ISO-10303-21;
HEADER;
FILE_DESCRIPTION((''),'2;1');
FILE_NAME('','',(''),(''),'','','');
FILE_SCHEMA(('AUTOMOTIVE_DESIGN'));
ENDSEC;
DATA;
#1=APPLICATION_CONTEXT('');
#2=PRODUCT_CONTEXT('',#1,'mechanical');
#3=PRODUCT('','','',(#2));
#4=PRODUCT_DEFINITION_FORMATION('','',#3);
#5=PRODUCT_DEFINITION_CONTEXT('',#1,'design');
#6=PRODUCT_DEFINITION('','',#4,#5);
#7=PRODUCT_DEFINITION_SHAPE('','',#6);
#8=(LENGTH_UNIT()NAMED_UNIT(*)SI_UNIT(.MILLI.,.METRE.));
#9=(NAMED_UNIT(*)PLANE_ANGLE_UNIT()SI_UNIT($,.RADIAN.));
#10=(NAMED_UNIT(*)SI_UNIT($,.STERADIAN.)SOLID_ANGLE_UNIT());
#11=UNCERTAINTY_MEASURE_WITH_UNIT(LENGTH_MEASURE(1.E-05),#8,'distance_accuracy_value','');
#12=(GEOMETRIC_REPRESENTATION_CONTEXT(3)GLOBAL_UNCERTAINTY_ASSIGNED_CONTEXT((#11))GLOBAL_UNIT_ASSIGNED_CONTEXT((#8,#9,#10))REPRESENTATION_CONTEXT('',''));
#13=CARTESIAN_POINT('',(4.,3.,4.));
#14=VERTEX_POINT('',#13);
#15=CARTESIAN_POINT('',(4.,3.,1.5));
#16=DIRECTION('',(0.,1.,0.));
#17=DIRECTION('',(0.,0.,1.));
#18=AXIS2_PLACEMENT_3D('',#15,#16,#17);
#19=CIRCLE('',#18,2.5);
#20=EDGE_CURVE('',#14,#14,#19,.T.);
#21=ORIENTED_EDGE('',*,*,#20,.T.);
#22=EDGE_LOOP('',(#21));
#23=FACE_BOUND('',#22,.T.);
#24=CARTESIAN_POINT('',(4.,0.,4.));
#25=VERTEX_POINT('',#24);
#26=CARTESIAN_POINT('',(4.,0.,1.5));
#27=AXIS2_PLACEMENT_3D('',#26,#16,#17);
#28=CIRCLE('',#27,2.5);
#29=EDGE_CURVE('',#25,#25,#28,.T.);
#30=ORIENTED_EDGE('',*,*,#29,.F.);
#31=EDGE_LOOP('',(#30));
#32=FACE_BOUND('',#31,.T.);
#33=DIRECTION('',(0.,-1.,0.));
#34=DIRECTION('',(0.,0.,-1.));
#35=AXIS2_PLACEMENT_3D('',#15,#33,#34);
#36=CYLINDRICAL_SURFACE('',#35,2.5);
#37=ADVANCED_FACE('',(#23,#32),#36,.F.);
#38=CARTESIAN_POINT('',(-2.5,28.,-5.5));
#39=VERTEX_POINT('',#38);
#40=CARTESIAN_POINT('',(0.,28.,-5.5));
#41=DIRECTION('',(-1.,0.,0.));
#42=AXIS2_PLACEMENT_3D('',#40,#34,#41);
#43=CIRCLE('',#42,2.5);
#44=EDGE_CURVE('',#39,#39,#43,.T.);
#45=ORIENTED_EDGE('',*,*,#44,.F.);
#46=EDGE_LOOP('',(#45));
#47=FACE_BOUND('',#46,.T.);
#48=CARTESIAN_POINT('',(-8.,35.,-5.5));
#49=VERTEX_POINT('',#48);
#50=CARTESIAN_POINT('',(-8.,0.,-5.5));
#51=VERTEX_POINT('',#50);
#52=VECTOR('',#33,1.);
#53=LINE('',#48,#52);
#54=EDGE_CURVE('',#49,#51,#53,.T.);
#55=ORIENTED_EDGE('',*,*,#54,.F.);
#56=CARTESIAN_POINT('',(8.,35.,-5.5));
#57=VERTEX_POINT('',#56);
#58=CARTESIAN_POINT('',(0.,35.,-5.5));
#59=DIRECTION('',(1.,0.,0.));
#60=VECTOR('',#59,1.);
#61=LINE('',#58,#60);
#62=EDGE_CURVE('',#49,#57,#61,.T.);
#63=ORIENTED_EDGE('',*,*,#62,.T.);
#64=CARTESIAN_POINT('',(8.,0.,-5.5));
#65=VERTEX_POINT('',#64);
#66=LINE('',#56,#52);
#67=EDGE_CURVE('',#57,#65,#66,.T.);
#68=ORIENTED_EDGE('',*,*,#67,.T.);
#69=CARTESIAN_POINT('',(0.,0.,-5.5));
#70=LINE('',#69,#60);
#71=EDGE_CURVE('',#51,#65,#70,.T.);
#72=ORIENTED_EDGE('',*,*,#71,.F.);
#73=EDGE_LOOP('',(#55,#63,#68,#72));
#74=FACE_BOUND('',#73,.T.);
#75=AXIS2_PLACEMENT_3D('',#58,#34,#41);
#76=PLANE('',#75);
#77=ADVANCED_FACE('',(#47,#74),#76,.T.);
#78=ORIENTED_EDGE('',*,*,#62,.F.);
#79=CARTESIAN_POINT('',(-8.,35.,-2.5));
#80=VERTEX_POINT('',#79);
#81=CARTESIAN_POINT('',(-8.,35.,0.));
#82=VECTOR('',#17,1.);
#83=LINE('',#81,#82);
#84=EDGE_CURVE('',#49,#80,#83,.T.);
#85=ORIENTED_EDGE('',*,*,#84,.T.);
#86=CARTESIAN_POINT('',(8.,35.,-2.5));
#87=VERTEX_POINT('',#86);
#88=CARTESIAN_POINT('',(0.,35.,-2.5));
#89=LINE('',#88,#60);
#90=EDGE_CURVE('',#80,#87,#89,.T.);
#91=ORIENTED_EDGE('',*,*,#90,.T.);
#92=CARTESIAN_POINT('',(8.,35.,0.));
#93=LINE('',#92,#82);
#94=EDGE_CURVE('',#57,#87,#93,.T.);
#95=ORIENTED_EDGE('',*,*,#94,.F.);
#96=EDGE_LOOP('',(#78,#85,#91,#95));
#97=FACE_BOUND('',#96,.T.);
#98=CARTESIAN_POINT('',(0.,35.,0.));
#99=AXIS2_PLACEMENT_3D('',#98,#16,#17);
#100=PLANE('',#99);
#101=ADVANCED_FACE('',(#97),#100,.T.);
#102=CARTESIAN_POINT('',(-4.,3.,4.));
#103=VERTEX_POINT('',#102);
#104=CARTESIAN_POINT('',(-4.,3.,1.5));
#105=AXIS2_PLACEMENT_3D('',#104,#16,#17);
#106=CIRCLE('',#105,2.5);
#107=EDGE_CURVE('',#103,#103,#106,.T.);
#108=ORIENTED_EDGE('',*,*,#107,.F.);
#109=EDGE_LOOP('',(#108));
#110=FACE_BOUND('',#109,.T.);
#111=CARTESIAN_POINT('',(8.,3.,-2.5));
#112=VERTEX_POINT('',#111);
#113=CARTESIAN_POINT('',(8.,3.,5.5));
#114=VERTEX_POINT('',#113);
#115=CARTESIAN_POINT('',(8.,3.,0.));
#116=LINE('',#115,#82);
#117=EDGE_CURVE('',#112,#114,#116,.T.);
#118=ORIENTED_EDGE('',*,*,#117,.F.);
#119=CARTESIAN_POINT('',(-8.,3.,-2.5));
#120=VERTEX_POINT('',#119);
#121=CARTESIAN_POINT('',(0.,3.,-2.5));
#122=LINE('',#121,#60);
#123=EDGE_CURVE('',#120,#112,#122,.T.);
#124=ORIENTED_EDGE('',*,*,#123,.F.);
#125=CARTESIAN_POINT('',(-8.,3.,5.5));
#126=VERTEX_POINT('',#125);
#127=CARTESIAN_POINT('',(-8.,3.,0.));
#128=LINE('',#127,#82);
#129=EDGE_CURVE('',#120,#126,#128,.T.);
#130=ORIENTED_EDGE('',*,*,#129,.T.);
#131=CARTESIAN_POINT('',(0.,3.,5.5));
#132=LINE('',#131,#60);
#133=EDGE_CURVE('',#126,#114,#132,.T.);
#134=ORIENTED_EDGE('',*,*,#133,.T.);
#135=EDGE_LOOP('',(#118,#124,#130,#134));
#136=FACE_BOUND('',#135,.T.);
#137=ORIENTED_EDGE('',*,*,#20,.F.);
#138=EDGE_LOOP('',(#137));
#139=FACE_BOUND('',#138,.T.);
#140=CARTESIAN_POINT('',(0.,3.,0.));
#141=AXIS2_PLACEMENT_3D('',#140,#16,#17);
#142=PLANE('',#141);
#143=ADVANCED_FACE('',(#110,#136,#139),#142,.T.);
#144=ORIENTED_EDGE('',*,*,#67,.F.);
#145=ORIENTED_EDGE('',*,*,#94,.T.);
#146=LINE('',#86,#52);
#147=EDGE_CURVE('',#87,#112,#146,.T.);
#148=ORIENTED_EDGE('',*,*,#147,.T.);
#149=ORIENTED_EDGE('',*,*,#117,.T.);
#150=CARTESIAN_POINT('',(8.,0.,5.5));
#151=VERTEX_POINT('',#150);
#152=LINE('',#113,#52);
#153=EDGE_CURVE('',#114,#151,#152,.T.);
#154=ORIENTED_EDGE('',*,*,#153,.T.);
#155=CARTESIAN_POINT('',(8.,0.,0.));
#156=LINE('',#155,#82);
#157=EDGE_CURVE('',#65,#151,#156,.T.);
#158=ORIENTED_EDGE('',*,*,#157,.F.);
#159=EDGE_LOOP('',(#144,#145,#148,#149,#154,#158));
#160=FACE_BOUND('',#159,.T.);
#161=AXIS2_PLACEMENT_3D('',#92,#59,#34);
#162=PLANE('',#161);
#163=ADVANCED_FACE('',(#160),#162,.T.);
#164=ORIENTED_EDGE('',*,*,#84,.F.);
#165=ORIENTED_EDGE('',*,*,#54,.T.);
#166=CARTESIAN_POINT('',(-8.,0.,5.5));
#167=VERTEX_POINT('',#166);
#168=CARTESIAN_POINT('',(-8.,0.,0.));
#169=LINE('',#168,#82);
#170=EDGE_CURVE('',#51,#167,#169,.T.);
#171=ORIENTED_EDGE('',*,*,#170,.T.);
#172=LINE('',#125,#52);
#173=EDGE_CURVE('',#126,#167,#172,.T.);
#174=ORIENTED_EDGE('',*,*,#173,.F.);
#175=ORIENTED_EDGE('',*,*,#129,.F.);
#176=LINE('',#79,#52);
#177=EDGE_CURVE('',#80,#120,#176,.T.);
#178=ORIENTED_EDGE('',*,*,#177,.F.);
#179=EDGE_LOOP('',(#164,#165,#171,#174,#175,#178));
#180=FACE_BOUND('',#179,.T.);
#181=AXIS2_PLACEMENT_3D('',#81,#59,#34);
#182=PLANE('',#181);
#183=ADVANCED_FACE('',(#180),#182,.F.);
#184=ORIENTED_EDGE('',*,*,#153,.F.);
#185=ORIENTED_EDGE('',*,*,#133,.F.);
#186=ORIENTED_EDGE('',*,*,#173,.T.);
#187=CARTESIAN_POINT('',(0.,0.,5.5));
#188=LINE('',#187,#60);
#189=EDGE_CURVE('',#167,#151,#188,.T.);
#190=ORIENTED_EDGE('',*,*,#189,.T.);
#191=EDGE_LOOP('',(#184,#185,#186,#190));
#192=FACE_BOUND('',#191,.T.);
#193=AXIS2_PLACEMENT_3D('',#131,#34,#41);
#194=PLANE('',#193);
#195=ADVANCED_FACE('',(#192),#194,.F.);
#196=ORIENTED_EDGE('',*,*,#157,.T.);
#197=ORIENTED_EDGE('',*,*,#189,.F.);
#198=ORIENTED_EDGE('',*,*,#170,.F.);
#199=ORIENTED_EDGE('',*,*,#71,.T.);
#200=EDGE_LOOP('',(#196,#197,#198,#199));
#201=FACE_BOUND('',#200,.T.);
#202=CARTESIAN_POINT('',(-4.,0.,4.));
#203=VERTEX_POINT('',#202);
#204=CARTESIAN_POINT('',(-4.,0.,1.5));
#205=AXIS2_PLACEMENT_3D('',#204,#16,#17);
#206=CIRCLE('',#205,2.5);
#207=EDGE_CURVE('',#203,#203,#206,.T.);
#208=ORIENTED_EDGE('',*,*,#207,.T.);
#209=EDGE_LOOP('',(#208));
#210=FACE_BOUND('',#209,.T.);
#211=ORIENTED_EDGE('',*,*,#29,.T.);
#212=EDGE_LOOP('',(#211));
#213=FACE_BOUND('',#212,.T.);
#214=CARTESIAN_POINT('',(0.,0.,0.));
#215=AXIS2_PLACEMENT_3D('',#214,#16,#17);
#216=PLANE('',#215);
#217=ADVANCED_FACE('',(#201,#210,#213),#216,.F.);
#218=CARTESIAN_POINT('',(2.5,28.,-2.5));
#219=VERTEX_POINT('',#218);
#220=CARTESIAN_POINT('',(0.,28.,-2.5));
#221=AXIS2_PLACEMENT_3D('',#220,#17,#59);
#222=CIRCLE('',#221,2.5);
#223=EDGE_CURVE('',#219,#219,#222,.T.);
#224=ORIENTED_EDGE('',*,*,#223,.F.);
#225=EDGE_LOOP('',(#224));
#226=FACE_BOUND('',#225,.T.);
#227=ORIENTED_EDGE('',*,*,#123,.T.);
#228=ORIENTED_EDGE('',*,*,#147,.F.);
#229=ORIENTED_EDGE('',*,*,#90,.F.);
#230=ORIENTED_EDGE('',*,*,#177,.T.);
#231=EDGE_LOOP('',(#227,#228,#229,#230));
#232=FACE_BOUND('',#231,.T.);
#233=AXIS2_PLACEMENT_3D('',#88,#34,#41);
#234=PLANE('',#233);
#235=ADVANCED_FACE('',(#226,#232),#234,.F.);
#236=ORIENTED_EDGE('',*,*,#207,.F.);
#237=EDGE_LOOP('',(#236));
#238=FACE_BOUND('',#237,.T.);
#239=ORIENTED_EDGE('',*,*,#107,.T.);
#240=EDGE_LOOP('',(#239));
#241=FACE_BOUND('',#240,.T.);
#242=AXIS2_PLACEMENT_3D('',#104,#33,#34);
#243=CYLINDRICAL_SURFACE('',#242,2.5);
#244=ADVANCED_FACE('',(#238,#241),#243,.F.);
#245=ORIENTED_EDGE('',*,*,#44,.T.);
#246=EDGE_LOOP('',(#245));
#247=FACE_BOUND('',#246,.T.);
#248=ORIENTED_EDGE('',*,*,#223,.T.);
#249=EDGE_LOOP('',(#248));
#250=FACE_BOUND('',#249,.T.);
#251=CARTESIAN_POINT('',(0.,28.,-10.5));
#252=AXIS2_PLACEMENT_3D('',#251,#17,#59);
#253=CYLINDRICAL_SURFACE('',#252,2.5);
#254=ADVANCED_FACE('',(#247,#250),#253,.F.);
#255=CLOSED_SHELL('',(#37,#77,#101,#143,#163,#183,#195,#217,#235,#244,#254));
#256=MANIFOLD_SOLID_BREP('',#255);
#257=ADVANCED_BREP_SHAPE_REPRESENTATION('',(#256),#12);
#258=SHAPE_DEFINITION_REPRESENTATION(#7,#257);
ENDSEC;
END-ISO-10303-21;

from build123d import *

# Parameters (mm, degrees)
SKETCH1_W           = 16
SKETCH1_H           = 3
BOSS_EXTRUDE1_DEPTH = 35
SKETCH1_3_W         = 16
SKETCH1_3_H         = 8
SKETCH1_3_R         = 2.5
BOSS_EXTRUDE2_DEPTH = 3
SKETCH2_R           = 2.5
CUT_EXTRUDE1_DEPTH  = 8


with BuildPart() as part:
    # Sketch1 → Boss-Extrude1 (new body)
    with BuildSketch(Plane(origin=(0, 0, 0), x_dir=(1, 0, 0), z_dir=(0, 1, 0))):
        with Locations((0, 4)):
            Rectangle(SKETCH1_W, SKETCH1_H)
    extrude(amount=BOSS_EXTRUDE1_DEPTH)

    # Sketch1<3> → Boss-Extrude2 (add)
    with BuildSketch(Plane(origin=(0, 0, 0), x_dir=(1, 0, 0), z_dir=(0, 1, 0))):
        with Locations((0, -1.5)):
            Rectangle(SKETCH1_3_W, SKETCH1_3_H)
        with Locations((-4, -1.5)):
            Circle(SKETCH1_3_R, mode=Mode.SUBTRACT)
        with Locations((4, -1.5)):
            Circle(SKETCH1_3_R, mode=Mode.SUBTRACT)
    extrude(amount=BOSS_EXTRUDE2_DEPTH)

    # Sketch2 → Cut-Extrude1 (cut)
    with BuildSketch(Plane.XY.offset(-2.5)):
        with Locations((0, 28)):
            Circle(SKETCH2_R)
    extrude(amount=-CUT_EXTRUDE1_DEPTH, mode=Mode.SUBTRACT)


solid = part.part
